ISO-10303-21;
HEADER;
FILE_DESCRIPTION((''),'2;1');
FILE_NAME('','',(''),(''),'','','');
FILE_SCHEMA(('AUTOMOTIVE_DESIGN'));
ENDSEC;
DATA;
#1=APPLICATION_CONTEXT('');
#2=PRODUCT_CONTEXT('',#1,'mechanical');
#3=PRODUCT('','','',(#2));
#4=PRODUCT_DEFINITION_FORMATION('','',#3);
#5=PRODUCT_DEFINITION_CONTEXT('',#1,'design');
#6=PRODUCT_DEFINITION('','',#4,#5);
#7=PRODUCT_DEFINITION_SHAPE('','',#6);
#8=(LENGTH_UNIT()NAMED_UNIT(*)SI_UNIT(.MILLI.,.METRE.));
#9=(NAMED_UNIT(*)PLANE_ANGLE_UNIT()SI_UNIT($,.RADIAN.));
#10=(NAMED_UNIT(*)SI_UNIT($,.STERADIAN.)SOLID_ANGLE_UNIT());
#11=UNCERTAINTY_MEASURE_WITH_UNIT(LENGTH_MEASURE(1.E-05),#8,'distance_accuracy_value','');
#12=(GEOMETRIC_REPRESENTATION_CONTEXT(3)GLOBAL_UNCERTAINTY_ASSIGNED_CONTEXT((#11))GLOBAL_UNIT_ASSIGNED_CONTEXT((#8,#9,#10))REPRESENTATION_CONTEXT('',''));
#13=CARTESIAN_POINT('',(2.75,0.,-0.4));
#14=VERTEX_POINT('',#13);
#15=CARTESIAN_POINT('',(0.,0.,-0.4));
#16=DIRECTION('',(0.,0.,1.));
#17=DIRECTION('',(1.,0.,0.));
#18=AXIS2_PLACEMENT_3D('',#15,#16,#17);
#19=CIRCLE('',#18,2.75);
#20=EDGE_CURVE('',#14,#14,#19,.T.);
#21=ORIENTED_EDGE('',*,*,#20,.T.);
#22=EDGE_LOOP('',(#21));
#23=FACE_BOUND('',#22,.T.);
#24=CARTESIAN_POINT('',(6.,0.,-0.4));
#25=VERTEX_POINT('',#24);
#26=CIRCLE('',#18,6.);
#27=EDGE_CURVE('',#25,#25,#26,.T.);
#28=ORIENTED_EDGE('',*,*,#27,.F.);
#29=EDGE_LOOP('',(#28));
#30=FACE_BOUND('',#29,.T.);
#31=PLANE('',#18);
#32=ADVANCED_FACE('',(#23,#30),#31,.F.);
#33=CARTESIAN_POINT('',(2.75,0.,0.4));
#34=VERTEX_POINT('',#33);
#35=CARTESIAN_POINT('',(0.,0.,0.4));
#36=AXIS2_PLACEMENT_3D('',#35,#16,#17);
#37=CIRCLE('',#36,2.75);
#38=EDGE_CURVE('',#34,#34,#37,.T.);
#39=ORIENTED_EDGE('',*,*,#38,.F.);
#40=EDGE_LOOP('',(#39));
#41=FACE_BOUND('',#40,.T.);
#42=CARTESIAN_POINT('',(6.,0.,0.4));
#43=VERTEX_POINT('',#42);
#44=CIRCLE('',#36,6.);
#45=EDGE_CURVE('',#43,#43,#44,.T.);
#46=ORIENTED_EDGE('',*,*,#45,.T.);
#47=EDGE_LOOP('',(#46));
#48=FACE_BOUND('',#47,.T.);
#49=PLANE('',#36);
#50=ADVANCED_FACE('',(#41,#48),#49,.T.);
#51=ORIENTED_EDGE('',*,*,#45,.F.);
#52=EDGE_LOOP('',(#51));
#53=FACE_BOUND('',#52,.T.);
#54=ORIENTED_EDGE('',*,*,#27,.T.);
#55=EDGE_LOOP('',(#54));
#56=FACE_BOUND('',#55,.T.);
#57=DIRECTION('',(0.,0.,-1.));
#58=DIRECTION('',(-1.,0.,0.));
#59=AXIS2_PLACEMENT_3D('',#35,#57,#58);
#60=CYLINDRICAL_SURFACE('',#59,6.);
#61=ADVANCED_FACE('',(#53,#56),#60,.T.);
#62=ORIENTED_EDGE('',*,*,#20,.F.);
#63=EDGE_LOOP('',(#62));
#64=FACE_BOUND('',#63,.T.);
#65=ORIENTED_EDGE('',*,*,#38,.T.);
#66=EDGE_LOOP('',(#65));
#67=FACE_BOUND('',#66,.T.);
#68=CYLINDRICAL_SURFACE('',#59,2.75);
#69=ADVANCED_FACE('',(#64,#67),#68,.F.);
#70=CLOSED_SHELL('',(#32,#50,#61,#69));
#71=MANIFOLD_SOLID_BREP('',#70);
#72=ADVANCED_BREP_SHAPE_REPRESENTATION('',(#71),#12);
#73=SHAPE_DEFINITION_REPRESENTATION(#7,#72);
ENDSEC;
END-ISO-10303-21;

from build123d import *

# Parameters (mm, degrees)
SKETCH3_R           = 6
SKETCH3_R_2         = 2.75
BOSS_EXTRUDE1_DEPTH = 0.4


with BuildPart() as part:
    # Sketch3 → Boss-Extrude1 (new body, symmetric)
    with BuildSketch(Plane.XY):
        Circle(SKETCH3_R)
        Circle(SKETCH3_R_2, mode=Mode.SUBTRACT)
    extrude(amount=BOSS_EXTRUDE1_DEPTH, both=True)


solid = part.part
